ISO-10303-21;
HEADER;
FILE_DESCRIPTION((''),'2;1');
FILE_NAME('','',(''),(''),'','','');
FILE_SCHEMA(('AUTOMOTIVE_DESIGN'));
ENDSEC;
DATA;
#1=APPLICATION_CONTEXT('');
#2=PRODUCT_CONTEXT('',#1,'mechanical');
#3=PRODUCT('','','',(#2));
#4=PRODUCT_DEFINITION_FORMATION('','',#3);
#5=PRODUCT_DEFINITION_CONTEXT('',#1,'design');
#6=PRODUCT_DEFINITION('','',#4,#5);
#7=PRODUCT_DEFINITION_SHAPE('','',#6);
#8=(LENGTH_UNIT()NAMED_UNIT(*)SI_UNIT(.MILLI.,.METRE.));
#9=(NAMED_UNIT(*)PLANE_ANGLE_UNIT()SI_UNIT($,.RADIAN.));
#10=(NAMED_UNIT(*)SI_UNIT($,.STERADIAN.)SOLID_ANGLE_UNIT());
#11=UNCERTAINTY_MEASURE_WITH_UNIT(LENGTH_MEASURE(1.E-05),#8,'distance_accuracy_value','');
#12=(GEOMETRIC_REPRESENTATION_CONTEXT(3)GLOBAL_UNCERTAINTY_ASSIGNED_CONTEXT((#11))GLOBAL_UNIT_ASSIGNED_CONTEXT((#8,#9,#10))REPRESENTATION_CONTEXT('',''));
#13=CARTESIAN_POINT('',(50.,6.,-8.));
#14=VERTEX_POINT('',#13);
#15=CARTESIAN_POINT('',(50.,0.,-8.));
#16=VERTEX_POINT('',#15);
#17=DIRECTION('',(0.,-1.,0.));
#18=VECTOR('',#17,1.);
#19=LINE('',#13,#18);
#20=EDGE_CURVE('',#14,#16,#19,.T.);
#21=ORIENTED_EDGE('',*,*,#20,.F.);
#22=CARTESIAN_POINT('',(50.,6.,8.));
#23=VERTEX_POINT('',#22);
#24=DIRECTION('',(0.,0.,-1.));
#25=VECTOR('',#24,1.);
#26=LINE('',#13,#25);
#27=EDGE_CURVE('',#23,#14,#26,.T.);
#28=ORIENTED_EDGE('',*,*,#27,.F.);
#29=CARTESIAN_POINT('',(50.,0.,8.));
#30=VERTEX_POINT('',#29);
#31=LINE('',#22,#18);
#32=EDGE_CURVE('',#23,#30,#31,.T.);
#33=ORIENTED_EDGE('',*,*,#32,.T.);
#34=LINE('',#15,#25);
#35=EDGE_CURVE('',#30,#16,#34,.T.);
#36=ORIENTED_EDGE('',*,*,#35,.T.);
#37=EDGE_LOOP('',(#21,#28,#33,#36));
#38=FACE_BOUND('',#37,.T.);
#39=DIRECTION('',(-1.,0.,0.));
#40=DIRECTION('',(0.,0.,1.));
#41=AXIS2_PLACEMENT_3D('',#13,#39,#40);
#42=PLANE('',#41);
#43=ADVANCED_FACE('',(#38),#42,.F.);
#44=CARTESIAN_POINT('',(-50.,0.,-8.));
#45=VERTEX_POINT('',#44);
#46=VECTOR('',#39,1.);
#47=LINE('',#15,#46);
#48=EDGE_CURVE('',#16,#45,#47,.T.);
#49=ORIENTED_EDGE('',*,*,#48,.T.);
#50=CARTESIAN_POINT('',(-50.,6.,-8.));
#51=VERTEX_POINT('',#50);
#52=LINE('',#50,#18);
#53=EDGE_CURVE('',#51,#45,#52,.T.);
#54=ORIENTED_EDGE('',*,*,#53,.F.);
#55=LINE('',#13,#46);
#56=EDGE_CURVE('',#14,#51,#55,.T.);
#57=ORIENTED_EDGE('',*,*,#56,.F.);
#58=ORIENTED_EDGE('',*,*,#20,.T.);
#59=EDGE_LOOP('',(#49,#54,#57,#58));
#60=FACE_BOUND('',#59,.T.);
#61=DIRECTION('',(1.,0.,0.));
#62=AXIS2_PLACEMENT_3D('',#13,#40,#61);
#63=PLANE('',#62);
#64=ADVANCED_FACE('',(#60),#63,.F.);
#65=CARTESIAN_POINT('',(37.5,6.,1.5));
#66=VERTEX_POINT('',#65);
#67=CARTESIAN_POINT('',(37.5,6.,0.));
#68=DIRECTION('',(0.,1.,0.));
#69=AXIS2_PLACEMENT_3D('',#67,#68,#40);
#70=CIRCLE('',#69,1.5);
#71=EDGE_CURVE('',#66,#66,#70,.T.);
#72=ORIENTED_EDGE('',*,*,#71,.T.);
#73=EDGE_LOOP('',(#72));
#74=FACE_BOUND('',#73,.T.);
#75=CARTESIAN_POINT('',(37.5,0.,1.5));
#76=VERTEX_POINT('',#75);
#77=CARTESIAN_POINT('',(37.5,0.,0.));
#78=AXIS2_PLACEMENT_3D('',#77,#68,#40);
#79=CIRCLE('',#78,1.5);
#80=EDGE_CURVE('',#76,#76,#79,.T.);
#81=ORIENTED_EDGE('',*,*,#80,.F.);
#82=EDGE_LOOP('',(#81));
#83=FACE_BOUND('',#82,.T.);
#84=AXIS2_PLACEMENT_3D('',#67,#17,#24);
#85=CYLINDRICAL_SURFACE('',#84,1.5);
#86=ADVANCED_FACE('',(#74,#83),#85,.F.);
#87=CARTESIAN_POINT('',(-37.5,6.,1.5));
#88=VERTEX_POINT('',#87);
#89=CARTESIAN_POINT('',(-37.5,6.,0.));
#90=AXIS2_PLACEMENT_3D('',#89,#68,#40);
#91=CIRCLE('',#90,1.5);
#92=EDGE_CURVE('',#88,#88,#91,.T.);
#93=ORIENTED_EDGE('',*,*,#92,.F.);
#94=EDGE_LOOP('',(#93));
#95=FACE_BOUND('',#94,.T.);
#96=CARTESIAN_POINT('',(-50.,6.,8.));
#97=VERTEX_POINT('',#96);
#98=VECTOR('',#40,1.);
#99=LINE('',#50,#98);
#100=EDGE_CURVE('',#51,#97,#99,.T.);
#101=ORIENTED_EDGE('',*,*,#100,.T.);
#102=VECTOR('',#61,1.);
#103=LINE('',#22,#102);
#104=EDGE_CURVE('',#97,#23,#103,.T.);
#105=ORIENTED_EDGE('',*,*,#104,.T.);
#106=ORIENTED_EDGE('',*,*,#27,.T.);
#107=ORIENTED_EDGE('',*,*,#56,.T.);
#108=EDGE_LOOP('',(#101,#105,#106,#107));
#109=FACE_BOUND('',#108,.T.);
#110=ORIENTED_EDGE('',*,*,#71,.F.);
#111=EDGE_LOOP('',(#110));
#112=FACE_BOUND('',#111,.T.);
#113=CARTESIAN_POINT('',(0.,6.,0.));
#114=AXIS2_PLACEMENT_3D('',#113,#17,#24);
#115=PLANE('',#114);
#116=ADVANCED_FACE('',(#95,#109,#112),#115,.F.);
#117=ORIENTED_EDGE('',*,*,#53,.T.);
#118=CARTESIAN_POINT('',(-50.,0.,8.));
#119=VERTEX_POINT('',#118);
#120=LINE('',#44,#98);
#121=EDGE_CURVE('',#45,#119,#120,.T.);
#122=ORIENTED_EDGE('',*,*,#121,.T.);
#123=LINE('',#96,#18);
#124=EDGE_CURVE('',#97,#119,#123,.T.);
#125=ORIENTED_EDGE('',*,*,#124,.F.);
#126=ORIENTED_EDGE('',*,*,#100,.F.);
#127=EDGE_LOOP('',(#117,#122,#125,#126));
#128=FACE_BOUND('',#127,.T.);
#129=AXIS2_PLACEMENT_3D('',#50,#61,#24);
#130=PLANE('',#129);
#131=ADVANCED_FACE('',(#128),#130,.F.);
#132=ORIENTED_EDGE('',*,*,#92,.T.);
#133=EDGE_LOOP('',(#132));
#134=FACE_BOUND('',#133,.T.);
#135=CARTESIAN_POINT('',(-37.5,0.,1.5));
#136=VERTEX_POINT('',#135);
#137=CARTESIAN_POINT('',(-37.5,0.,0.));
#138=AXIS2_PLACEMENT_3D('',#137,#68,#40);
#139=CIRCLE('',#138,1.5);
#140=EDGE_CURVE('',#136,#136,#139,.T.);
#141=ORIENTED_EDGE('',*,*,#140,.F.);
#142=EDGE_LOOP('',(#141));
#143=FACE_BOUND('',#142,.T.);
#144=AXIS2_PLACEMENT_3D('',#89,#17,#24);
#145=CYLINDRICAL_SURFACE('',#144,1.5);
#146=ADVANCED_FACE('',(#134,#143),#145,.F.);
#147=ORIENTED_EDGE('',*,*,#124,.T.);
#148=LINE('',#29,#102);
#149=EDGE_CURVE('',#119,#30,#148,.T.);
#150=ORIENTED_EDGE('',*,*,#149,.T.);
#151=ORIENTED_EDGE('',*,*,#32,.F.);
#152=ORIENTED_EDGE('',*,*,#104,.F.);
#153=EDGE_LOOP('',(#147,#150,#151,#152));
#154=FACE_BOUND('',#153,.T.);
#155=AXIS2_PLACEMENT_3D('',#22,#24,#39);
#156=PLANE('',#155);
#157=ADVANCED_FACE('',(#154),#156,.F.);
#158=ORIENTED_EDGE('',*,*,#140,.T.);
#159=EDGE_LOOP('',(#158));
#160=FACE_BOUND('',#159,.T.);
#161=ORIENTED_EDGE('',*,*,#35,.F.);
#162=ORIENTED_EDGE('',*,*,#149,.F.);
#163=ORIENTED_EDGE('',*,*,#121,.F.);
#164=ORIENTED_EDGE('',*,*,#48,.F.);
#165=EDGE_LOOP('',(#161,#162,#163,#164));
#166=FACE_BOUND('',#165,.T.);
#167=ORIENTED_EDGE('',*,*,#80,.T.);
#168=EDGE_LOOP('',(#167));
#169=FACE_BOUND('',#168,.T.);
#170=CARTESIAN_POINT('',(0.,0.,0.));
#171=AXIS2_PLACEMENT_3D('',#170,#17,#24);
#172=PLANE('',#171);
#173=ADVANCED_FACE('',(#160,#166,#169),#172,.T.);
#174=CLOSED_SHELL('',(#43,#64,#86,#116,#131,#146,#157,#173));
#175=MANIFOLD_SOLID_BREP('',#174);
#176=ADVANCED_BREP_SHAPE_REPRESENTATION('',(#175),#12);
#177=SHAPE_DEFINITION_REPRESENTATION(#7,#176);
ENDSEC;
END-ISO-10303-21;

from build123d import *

# Parameters (mm, degrees)
SKETCH_1_W      = 100
SKETCH_1_H      = 16
SKETCH_1_R      = 1.5
EXTRUDE_1_DEPTH = 6


with BuildPart() as part:
    # 草圖1 → 填料-伸長1 (new body)
    with BuildSketch(Plane(origin=(0, 0, 0), x_dir=(1, 0, 0), z_dir=(0, 1, 0))):
        Rectangle(SKETCH_1_W, SKETCH_1_H)
        with Locations(Location((-37.5, 0, 0), (0, 0, 270))):
            Circle(SKETCH_1_R, mode=Mode.SUBTRACT)
        with Locations(Location((37.5, 0, 0), (0, 0, 270))):
            Circle(SKETCH_1_R, mode=Mode.SUBTRACT)
    extrude(amount=EXTRUDE_1_DEPTH)


solid = part.part
